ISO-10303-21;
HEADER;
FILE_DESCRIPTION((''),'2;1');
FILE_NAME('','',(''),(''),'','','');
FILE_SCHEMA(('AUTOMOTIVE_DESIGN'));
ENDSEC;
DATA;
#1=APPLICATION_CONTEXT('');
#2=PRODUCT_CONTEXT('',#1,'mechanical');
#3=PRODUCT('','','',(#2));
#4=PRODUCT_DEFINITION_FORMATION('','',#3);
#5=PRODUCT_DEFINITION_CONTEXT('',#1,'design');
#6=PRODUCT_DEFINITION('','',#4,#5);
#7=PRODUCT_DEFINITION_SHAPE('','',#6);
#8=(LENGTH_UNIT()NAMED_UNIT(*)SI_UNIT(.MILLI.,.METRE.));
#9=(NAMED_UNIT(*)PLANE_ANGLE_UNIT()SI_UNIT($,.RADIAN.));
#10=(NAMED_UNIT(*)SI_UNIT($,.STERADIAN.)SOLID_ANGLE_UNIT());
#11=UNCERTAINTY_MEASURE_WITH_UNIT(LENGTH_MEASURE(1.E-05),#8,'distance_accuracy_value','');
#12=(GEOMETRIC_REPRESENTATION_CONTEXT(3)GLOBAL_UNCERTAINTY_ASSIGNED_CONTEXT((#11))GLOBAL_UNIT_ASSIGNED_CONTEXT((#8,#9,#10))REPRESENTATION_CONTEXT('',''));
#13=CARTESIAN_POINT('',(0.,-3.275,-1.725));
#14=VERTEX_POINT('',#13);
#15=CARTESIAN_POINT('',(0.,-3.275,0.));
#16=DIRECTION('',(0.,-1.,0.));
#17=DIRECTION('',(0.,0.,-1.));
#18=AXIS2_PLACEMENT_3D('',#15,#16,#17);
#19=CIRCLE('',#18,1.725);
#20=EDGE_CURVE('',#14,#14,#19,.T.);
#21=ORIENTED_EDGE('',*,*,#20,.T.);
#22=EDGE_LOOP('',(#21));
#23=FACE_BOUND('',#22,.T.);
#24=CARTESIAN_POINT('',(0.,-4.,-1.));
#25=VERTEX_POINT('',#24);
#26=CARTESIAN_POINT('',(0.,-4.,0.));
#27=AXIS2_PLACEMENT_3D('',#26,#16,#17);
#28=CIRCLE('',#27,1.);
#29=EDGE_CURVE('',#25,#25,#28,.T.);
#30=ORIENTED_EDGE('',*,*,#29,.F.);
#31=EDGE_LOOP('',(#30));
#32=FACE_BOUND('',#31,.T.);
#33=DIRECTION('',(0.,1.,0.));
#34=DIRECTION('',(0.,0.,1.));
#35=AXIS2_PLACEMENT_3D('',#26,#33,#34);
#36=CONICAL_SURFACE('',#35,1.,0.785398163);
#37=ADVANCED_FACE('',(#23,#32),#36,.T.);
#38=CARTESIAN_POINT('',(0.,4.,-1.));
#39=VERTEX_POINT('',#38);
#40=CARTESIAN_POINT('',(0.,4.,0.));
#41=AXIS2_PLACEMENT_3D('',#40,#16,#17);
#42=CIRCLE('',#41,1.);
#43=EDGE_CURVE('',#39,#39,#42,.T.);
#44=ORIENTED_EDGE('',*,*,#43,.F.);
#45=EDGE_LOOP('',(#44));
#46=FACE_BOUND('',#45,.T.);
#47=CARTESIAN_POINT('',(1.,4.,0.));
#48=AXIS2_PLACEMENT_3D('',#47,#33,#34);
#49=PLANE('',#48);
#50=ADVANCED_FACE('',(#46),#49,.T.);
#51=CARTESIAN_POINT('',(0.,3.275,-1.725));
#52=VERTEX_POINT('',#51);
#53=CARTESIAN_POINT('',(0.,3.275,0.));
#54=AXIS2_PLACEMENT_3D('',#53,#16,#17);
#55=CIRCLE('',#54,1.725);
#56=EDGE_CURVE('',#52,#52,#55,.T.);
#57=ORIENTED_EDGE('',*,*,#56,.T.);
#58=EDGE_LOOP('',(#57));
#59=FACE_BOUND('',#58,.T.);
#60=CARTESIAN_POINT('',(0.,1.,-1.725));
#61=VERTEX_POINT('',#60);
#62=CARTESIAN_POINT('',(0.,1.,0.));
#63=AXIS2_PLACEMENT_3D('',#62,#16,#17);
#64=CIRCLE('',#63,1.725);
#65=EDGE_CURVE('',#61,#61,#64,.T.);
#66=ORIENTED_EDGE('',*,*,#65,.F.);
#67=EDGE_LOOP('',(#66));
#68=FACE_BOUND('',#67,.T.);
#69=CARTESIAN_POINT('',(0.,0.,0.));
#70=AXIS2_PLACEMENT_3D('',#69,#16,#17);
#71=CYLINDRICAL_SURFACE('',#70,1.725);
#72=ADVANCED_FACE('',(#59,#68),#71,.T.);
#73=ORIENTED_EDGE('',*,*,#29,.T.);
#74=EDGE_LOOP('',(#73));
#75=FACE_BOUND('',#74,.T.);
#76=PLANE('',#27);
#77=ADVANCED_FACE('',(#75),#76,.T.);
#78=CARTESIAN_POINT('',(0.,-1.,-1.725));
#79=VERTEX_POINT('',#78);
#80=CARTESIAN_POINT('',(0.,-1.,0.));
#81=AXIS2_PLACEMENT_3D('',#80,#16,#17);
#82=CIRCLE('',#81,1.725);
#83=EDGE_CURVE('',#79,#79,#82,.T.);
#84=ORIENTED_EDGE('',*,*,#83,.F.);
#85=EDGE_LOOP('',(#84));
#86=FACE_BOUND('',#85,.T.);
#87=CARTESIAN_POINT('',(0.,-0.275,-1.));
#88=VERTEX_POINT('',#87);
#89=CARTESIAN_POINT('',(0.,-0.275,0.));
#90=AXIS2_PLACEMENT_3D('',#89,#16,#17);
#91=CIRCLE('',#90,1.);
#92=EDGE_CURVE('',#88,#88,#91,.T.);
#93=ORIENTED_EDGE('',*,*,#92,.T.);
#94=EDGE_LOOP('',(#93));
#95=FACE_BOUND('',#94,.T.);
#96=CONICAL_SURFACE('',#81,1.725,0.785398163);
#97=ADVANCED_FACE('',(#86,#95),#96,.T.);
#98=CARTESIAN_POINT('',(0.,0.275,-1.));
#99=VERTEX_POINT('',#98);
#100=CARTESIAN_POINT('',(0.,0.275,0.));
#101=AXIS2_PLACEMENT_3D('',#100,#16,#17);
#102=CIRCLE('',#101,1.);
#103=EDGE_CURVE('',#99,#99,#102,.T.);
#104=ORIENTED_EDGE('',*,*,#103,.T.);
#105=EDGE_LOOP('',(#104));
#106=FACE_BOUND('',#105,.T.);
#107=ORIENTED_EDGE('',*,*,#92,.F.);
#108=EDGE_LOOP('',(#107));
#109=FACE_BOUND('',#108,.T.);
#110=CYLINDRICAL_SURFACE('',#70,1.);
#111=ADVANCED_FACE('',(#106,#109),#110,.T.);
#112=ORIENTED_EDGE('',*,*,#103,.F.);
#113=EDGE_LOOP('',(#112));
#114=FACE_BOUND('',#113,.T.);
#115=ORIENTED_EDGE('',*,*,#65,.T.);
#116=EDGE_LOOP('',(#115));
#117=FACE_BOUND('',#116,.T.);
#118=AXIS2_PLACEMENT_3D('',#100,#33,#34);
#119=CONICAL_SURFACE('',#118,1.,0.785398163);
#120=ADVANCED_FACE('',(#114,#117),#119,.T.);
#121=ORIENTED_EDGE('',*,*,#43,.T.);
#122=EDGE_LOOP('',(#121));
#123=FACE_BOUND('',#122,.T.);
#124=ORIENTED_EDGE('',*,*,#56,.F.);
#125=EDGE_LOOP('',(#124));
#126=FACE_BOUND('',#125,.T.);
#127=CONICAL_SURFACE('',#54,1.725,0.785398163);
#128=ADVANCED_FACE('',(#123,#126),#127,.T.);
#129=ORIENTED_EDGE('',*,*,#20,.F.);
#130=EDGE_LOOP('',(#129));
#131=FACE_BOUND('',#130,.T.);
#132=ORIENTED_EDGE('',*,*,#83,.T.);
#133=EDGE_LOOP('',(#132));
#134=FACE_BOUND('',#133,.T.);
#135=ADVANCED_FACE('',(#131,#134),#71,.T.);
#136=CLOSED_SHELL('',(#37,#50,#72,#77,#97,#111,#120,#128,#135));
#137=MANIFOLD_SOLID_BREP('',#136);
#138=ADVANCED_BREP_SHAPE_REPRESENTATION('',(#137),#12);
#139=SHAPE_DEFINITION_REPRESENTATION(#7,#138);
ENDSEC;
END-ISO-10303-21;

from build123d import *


with BuildPart() as part:
    # Sketch1 → Revolve1 (revolve)
    with BuildSketch(Plane.XY, mode=Mode.PRIVATE) as revolve1_sk:
        Polygon((1, 4), (1.725, 3.275), (1.725, 1), (1, 0.275), (1, -0.275), (1.725, -1), (1.725, -3.275), (1, -4), (0, -4), (0, 4), align=None)
    revolve(revolve1_sk.sketch.rotate(Axis((0, 0, 0), (0, 1, 0)), 90), axis=Axis((0, 0, 0), (0, 1, 0)))


solid = part.part
